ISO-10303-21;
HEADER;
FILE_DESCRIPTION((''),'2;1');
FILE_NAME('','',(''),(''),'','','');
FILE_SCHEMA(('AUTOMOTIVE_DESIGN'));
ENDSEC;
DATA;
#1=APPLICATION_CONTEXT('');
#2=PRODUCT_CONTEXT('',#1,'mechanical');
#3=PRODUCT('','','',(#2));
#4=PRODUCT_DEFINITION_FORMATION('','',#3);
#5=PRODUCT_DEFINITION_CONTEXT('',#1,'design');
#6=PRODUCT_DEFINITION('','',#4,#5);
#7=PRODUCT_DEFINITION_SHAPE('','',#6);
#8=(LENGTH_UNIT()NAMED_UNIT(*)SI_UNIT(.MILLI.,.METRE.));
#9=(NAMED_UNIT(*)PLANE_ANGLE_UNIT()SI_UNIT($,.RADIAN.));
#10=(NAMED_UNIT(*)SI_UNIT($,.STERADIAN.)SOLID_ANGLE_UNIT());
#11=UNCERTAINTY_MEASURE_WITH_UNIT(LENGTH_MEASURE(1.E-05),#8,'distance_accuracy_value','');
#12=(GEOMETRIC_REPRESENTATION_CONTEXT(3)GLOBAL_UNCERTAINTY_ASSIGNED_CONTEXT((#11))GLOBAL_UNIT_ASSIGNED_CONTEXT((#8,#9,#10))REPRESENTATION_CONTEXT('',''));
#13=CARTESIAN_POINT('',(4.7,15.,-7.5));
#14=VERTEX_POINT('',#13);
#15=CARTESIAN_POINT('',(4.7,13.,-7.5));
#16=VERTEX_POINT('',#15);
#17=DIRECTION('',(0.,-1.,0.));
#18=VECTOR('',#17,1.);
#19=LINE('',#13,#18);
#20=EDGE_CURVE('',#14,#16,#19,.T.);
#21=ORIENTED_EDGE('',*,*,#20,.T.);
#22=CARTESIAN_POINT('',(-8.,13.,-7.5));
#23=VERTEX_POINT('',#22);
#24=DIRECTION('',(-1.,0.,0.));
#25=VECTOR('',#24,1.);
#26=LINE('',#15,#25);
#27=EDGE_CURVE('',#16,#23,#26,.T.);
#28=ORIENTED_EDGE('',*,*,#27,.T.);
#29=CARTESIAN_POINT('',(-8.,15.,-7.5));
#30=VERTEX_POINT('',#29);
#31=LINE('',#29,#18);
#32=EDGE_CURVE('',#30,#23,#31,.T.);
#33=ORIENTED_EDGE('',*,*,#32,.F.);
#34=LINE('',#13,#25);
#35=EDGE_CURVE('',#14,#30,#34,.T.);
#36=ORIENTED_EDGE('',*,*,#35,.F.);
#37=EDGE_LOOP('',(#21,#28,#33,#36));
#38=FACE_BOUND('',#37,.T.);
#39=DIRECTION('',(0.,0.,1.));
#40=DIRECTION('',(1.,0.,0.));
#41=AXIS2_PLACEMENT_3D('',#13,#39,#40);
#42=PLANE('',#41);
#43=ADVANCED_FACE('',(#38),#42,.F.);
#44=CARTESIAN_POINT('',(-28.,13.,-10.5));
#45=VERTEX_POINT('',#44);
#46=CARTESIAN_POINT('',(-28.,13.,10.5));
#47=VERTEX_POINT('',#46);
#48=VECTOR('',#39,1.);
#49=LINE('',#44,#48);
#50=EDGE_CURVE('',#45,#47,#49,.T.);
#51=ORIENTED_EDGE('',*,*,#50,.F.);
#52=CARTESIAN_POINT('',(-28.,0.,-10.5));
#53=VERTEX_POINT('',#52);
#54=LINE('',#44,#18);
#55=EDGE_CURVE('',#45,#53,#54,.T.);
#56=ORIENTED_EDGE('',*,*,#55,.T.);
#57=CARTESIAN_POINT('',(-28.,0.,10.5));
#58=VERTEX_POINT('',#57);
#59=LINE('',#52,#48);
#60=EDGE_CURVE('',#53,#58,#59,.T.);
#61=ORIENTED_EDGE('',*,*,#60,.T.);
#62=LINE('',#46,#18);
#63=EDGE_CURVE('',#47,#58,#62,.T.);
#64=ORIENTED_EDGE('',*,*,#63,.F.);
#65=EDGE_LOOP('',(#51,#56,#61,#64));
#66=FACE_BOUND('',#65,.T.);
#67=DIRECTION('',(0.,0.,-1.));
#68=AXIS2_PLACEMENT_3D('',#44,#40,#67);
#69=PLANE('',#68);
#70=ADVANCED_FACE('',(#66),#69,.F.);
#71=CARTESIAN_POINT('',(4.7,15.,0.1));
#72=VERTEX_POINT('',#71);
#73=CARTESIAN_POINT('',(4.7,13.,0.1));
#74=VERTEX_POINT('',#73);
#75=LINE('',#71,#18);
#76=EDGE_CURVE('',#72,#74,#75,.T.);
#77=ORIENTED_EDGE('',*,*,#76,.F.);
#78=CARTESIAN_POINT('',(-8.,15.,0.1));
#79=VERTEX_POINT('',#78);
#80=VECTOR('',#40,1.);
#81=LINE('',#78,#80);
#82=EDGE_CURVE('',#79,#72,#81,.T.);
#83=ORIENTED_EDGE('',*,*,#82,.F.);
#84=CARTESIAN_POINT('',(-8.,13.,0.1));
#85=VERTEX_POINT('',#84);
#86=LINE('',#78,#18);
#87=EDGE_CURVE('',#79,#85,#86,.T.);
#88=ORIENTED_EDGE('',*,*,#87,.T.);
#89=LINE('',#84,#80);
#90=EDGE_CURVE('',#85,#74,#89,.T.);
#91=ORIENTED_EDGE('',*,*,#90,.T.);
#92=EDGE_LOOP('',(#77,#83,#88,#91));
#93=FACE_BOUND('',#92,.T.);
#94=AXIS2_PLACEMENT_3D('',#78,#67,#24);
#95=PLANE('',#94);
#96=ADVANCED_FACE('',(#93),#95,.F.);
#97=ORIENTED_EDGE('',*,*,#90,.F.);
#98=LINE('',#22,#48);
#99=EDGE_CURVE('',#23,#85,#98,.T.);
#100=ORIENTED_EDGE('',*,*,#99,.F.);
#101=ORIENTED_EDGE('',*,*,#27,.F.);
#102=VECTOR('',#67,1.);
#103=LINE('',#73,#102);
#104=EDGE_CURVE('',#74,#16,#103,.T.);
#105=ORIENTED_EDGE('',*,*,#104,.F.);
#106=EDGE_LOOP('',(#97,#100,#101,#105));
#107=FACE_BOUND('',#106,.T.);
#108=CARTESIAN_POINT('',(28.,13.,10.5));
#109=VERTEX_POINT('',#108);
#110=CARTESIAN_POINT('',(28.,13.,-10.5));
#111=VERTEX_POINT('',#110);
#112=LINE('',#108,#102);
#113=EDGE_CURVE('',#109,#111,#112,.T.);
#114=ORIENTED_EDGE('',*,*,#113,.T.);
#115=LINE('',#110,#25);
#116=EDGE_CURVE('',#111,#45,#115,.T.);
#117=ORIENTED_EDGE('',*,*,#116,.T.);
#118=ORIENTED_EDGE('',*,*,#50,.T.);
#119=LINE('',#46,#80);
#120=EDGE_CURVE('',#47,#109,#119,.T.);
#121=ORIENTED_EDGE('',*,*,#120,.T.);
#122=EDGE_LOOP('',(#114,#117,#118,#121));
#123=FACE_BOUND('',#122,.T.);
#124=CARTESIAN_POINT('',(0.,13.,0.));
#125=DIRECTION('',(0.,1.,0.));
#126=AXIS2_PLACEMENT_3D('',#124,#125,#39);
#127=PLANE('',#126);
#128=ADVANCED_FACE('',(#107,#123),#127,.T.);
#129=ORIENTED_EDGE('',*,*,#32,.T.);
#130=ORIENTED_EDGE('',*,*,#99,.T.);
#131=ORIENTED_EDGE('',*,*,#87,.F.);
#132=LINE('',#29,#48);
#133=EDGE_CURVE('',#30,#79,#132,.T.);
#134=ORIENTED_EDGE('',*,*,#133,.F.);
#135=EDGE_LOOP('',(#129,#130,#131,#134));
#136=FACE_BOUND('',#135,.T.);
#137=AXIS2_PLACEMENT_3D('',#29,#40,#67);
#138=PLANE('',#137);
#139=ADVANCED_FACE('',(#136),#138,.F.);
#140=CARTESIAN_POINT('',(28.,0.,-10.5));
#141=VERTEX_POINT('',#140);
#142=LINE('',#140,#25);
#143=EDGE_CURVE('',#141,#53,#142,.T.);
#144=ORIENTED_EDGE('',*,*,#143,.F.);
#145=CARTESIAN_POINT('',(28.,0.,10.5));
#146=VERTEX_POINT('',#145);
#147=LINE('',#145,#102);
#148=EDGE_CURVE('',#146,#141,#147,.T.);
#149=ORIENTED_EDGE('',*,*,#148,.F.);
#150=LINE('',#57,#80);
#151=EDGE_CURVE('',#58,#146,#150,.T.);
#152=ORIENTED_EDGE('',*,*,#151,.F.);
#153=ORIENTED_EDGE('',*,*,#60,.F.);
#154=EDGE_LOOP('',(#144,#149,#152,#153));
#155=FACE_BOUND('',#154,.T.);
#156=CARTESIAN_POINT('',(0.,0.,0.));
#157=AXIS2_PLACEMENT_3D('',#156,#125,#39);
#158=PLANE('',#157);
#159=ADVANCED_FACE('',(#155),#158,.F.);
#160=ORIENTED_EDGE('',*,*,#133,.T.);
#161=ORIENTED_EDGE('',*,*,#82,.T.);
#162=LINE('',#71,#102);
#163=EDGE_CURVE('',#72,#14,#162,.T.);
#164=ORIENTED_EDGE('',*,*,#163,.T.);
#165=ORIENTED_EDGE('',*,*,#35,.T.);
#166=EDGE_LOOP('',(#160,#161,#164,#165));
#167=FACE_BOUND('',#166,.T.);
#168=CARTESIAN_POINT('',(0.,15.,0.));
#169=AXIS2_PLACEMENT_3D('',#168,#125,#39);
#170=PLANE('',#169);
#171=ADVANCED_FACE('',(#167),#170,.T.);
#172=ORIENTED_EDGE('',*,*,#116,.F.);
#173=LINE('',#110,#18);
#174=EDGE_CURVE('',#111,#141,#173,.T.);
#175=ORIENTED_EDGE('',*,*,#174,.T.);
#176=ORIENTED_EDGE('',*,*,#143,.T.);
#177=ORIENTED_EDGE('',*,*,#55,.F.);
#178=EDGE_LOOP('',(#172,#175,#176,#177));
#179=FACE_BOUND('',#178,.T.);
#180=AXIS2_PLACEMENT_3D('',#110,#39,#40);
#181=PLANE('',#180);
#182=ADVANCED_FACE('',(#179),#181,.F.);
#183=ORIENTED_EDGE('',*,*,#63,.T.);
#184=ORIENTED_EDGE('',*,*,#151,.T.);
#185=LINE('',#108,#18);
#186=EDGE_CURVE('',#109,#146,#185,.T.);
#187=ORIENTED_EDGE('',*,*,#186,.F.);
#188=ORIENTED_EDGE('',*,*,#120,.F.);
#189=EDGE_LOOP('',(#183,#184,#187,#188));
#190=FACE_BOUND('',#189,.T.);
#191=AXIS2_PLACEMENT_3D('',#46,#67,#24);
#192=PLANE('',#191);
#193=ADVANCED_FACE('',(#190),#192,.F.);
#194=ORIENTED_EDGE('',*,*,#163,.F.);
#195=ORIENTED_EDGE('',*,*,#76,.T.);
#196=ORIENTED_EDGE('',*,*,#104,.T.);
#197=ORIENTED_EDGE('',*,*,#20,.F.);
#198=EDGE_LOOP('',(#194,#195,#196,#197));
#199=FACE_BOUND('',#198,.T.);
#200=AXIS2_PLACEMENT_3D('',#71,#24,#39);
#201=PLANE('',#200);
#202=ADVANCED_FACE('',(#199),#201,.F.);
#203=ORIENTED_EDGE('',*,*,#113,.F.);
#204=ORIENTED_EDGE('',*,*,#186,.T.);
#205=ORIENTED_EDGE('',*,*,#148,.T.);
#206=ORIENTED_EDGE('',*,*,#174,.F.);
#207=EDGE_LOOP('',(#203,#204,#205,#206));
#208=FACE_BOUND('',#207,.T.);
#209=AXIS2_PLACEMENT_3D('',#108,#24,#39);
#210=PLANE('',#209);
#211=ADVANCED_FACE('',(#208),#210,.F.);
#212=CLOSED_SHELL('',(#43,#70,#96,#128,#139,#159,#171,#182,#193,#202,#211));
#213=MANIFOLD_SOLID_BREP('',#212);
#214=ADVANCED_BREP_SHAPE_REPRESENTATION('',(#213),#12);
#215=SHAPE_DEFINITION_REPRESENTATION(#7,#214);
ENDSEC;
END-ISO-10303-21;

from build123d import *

# Parameters (mm, degrees)
SK_P01_F2INLINEHOLDER5A_W        = 56
SK_P01_F2INLINEHOLDER5A_H        = 21
P01_F2INLINEHOLDER5A_DEPTH       = 13
P02_D1IDEALDIODEPOLOLU5382_START = 13
SK_P02_D1IDEALDIODEPOLOLU5382_W  = 12.7
SK_P02_D1IDEALDIODEPOLOLU5382_H  = 7.6
P02_D1IDEALDIODEPOLOLU5382_DEPTH = 2


with BuildPart() as part:
    # SK_P01_F2inlineholder5A → P01_F2inlineholder5A (new body)
    with BuildSketch(Plane(origin=(0, 0, 0), x_dir=(1, 0, 0), z_dir=(0, 1, 0))):
        Rectangle(SK_P01_F2INLINEHOLDER5A_W, SK_P01_F2INLINEHOLDER5A_H)
    extrude(amount=P01_F2INLINEHOLDER5A_DEPTH)

    # SK_P02_D1idealdiodePololu5382 → P02_D1idealdiodePololu5382 (add)
    with BuildSketch(Plane(origin=(0, 0, 0), x_dir=(1, 0, 0), z_dir=(0, 1, 0)).offset(P02_D1IDEALDIODEPOLOLU5382_START)):
        with Locations((-1.65, 3.7)):
            Rectangle(SK_P02_D1IDEALDIODEPOLOLU5382_W, SK_P02_D1IDEALDIODEPOLOLU5382_H)
    extrude(amount=P02_D1IDEALDIODEPOLOLU5382_DEPTH)


solid = part.part
